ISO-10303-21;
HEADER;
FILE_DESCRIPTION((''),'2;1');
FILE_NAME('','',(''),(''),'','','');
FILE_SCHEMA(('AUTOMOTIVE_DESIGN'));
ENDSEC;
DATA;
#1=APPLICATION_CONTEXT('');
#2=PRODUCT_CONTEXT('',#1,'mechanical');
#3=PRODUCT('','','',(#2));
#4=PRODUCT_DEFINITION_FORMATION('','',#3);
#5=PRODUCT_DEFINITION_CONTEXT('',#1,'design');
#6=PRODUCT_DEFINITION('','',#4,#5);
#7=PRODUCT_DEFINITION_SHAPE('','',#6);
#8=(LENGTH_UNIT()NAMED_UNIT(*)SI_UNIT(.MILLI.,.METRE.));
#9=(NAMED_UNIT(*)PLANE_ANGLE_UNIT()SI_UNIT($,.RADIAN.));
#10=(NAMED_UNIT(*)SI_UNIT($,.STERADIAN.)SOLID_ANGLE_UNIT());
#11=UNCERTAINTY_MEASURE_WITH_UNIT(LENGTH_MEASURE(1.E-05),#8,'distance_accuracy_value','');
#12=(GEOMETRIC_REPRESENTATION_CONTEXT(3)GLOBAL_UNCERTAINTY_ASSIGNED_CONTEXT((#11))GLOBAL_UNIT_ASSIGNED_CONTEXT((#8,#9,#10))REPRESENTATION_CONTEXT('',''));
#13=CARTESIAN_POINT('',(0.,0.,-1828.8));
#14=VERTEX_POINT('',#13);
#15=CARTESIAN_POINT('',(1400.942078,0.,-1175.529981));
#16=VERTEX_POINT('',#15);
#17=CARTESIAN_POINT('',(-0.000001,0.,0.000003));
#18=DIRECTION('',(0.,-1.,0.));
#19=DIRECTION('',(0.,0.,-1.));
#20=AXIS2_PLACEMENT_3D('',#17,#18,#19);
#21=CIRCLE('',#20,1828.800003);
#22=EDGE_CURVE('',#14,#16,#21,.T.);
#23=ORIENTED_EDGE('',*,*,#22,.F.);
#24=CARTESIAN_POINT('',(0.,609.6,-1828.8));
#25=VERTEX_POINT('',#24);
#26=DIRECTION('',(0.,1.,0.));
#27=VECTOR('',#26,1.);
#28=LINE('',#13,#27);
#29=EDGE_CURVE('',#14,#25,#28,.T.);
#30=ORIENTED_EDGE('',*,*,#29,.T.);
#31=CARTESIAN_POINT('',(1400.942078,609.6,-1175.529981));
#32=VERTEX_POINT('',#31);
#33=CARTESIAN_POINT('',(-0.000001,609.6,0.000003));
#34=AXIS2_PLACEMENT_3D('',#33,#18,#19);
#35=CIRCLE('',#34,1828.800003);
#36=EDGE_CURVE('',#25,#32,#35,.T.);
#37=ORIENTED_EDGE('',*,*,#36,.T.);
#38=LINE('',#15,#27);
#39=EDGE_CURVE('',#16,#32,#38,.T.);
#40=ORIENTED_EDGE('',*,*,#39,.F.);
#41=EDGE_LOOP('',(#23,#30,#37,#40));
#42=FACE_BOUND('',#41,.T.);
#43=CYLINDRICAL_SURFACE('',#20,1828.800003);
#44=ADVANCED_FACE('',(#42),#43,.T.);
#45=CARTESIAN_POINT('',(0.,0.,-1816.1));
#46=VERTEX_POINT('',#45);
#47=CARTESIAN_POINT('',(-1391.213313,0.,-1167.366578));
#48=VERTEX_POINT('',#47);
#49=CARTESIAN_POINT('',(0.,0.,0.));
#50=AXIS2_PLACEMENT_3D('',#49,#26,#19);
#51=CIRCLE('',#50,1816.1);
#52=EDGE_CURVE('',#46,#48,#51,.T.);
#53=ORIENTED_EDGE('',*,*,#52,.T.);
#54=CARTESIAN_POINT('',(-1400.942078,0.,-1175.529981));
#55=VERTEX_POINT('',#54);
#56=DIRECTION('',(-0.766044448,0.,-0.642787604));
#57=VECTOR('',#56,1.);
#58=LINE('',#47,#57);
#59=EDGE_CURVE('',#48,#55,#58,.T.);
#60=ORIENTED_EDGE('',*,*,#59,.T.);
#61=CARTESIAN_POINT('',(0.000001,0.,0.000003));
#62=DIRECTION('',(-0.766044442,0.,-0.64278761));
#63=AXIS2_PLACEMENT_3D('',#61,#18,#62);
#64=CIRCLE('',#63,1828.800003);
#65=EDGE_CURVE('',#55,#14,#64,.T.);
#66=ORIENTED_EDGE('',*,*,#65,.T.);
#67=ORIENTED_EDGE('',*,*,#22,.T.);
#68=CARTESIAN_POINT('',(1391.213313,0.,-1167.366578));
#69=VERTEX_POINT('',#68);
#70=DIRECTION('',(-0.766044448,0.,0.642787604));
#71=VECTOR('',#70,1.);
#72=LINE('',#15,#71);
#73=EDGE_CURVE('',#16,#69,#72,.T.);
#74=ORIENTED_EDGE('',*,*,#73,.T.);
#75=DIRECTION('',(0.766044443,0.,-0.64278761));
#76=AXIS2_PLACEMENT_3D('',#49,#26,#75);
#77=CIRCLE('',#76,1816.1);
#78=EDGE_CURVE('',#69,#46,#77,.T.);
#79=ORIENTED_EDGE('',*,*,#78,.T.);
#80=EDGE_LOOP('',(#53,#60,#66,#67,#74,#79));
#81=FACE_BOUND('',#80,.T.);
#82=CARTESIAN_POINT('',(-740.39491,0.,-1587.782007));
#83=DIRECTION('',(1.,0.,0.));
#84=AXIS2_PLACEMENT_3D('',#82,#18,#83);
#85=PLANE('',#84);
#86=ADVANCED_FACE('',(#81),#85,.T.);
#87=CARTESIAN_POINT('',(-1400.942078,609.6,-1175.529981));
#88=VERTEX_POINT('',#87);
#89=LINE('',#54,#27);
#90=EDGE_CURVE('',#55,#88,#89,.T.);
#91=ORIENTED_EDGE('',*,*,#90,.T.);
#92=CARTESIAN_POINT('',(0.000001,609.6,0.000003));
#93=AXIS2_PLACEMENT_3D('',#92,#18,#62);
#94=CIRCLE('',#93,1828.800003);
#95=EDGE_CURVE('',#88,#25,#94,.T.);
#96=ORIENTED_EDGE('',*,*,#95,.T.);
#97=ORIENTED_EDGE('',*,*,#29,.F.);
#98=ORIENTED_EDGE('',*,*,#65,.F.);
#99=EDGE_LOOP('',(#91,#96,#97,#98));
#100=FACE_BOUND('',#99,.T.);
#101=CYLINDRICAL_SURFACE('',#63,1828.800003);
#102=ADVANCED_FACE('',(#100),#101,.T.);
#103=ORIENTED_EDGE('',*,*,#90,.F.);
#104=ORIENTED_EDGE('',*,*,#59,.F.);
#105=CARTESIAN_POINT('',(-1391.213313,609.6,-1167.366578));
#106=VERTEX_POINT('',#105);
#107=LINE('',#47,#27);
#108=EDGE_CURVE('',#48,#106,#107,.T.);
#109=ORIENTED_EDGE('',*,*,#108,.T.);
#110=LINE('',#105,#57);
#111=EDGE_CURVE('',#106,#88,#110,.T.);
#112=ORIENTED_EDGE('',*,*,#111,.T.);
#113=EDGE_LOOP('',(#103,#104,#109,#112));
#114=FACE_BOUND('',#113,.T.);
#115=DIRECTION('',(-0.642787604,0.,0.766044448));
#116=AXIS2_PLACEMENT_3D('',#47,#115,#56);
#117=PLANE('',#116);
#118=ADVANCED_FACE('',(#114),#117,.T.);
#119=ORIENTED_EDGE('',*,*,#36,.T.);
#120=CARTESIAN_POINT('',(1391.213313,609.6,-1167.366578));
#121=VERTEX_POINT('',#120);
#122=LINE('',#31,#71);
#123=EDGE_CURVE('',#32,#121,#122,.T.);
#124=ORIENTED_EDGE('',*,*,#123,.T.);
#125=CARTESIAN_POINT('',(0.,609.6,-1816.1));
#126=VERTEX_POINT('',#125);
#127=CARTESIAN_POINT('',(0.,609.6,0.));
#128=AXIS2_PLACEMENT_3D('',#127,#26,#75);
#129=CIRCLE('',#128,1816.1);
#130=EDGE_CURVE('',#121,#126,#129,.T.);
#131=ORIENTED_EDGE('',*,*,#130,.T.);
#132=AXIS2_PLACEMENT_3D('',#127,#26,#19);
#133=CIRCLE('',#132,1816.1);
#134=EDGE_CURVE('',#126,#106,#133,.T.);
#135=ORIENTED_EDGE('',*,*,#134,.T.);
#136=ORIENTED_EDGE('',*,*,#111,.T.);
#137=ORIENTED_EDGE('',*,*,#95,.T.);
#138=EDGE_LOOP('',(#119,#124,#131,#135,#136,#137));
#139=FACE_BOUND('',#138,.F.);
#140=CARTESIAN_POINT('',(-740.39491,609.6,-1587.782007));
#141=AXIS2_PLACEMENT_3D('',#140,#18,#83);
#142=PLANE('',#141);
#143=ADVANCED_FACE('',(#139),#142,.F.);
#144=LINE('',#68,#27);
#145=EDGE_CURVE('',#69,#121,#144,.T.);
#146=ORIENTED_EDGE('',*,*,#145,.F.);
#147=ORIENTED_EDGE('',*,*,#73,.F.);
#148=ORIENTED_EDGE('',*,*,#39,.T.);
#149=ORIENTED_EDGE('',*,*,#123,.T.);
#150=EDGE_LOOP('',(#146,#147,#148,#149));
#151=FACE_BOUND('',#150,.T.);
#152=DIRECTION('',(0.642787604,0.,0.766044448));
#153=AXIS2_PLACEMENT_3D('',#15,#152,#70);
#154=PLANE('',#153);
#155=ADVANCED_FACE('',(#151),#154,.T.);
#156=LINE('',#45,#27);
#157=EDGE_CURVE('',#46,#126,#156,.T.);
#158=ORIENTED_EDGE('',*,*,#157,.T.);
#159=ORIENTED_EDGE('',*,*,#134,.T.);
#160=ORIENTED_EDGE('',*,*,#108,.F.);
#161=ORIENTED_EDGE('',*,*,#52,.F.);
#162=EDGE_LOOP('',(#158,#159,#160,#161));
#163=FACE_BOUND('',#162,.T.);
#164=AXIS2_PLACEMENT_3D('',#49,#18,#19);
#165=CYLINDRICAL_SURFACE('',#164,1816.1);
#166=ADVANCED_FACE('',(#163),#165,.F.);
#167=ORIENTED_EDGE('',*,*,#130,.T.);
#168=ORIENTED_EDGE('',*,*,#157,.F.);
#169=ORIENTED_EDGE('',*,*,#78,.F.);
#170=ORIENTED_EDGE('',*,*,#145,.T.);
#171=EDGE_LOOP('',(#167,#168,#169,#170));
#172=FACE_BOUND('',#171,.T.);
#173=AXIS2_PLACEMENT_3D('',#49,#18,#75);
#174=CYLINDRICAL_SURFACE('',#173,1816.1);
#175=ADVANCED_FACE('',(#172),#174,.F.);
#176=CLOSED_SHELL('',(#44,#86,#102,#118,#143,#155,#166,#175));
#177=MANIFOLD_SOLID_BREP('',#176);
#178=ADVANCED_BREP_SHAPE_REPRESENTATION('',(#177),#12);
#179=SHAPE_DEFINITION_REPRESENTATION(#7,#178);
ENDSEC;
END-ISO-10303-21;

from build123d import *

# Parameters (mm, degrees)
F1_DEPTH = 609.6


with BuildPart() as f1:
    # F0 (on Front) → F1 (new body)
    with BuildSketch(Plane.XZ):
        with BuildLine():
            Line((-1391.213313, -1167.366578), (-1400.942078, -1175.529981))
            ThreePointArc((-1400.942078, -1175.529981), (-772.884277, -1657.455681), (0, -1828.8))
            Line((0, -1828.8), (0, -1816.1))
            ThreePointArc((0, -1816.1), (-767.517025, -1645.945572), (-1391.213313, -1167.366578))
        make_face()
        with BuildLine():
            Line((0, -1816.1), (0, -1828.8))
            ThreePointArc((0, -1828.8), (772.884277, -1657.455681), (1400.942078, -1175.529981))
            Line((1400.942078, -1175.529981), (1391.213313, -1167.366578))
            ThreePointArc((1391.213313, -1167.366578), (767.517025, -1645.945572), (0, -1816.1))
        make_face()
    extrude(amount=-F1_DEPTH)


solid = f1.part
